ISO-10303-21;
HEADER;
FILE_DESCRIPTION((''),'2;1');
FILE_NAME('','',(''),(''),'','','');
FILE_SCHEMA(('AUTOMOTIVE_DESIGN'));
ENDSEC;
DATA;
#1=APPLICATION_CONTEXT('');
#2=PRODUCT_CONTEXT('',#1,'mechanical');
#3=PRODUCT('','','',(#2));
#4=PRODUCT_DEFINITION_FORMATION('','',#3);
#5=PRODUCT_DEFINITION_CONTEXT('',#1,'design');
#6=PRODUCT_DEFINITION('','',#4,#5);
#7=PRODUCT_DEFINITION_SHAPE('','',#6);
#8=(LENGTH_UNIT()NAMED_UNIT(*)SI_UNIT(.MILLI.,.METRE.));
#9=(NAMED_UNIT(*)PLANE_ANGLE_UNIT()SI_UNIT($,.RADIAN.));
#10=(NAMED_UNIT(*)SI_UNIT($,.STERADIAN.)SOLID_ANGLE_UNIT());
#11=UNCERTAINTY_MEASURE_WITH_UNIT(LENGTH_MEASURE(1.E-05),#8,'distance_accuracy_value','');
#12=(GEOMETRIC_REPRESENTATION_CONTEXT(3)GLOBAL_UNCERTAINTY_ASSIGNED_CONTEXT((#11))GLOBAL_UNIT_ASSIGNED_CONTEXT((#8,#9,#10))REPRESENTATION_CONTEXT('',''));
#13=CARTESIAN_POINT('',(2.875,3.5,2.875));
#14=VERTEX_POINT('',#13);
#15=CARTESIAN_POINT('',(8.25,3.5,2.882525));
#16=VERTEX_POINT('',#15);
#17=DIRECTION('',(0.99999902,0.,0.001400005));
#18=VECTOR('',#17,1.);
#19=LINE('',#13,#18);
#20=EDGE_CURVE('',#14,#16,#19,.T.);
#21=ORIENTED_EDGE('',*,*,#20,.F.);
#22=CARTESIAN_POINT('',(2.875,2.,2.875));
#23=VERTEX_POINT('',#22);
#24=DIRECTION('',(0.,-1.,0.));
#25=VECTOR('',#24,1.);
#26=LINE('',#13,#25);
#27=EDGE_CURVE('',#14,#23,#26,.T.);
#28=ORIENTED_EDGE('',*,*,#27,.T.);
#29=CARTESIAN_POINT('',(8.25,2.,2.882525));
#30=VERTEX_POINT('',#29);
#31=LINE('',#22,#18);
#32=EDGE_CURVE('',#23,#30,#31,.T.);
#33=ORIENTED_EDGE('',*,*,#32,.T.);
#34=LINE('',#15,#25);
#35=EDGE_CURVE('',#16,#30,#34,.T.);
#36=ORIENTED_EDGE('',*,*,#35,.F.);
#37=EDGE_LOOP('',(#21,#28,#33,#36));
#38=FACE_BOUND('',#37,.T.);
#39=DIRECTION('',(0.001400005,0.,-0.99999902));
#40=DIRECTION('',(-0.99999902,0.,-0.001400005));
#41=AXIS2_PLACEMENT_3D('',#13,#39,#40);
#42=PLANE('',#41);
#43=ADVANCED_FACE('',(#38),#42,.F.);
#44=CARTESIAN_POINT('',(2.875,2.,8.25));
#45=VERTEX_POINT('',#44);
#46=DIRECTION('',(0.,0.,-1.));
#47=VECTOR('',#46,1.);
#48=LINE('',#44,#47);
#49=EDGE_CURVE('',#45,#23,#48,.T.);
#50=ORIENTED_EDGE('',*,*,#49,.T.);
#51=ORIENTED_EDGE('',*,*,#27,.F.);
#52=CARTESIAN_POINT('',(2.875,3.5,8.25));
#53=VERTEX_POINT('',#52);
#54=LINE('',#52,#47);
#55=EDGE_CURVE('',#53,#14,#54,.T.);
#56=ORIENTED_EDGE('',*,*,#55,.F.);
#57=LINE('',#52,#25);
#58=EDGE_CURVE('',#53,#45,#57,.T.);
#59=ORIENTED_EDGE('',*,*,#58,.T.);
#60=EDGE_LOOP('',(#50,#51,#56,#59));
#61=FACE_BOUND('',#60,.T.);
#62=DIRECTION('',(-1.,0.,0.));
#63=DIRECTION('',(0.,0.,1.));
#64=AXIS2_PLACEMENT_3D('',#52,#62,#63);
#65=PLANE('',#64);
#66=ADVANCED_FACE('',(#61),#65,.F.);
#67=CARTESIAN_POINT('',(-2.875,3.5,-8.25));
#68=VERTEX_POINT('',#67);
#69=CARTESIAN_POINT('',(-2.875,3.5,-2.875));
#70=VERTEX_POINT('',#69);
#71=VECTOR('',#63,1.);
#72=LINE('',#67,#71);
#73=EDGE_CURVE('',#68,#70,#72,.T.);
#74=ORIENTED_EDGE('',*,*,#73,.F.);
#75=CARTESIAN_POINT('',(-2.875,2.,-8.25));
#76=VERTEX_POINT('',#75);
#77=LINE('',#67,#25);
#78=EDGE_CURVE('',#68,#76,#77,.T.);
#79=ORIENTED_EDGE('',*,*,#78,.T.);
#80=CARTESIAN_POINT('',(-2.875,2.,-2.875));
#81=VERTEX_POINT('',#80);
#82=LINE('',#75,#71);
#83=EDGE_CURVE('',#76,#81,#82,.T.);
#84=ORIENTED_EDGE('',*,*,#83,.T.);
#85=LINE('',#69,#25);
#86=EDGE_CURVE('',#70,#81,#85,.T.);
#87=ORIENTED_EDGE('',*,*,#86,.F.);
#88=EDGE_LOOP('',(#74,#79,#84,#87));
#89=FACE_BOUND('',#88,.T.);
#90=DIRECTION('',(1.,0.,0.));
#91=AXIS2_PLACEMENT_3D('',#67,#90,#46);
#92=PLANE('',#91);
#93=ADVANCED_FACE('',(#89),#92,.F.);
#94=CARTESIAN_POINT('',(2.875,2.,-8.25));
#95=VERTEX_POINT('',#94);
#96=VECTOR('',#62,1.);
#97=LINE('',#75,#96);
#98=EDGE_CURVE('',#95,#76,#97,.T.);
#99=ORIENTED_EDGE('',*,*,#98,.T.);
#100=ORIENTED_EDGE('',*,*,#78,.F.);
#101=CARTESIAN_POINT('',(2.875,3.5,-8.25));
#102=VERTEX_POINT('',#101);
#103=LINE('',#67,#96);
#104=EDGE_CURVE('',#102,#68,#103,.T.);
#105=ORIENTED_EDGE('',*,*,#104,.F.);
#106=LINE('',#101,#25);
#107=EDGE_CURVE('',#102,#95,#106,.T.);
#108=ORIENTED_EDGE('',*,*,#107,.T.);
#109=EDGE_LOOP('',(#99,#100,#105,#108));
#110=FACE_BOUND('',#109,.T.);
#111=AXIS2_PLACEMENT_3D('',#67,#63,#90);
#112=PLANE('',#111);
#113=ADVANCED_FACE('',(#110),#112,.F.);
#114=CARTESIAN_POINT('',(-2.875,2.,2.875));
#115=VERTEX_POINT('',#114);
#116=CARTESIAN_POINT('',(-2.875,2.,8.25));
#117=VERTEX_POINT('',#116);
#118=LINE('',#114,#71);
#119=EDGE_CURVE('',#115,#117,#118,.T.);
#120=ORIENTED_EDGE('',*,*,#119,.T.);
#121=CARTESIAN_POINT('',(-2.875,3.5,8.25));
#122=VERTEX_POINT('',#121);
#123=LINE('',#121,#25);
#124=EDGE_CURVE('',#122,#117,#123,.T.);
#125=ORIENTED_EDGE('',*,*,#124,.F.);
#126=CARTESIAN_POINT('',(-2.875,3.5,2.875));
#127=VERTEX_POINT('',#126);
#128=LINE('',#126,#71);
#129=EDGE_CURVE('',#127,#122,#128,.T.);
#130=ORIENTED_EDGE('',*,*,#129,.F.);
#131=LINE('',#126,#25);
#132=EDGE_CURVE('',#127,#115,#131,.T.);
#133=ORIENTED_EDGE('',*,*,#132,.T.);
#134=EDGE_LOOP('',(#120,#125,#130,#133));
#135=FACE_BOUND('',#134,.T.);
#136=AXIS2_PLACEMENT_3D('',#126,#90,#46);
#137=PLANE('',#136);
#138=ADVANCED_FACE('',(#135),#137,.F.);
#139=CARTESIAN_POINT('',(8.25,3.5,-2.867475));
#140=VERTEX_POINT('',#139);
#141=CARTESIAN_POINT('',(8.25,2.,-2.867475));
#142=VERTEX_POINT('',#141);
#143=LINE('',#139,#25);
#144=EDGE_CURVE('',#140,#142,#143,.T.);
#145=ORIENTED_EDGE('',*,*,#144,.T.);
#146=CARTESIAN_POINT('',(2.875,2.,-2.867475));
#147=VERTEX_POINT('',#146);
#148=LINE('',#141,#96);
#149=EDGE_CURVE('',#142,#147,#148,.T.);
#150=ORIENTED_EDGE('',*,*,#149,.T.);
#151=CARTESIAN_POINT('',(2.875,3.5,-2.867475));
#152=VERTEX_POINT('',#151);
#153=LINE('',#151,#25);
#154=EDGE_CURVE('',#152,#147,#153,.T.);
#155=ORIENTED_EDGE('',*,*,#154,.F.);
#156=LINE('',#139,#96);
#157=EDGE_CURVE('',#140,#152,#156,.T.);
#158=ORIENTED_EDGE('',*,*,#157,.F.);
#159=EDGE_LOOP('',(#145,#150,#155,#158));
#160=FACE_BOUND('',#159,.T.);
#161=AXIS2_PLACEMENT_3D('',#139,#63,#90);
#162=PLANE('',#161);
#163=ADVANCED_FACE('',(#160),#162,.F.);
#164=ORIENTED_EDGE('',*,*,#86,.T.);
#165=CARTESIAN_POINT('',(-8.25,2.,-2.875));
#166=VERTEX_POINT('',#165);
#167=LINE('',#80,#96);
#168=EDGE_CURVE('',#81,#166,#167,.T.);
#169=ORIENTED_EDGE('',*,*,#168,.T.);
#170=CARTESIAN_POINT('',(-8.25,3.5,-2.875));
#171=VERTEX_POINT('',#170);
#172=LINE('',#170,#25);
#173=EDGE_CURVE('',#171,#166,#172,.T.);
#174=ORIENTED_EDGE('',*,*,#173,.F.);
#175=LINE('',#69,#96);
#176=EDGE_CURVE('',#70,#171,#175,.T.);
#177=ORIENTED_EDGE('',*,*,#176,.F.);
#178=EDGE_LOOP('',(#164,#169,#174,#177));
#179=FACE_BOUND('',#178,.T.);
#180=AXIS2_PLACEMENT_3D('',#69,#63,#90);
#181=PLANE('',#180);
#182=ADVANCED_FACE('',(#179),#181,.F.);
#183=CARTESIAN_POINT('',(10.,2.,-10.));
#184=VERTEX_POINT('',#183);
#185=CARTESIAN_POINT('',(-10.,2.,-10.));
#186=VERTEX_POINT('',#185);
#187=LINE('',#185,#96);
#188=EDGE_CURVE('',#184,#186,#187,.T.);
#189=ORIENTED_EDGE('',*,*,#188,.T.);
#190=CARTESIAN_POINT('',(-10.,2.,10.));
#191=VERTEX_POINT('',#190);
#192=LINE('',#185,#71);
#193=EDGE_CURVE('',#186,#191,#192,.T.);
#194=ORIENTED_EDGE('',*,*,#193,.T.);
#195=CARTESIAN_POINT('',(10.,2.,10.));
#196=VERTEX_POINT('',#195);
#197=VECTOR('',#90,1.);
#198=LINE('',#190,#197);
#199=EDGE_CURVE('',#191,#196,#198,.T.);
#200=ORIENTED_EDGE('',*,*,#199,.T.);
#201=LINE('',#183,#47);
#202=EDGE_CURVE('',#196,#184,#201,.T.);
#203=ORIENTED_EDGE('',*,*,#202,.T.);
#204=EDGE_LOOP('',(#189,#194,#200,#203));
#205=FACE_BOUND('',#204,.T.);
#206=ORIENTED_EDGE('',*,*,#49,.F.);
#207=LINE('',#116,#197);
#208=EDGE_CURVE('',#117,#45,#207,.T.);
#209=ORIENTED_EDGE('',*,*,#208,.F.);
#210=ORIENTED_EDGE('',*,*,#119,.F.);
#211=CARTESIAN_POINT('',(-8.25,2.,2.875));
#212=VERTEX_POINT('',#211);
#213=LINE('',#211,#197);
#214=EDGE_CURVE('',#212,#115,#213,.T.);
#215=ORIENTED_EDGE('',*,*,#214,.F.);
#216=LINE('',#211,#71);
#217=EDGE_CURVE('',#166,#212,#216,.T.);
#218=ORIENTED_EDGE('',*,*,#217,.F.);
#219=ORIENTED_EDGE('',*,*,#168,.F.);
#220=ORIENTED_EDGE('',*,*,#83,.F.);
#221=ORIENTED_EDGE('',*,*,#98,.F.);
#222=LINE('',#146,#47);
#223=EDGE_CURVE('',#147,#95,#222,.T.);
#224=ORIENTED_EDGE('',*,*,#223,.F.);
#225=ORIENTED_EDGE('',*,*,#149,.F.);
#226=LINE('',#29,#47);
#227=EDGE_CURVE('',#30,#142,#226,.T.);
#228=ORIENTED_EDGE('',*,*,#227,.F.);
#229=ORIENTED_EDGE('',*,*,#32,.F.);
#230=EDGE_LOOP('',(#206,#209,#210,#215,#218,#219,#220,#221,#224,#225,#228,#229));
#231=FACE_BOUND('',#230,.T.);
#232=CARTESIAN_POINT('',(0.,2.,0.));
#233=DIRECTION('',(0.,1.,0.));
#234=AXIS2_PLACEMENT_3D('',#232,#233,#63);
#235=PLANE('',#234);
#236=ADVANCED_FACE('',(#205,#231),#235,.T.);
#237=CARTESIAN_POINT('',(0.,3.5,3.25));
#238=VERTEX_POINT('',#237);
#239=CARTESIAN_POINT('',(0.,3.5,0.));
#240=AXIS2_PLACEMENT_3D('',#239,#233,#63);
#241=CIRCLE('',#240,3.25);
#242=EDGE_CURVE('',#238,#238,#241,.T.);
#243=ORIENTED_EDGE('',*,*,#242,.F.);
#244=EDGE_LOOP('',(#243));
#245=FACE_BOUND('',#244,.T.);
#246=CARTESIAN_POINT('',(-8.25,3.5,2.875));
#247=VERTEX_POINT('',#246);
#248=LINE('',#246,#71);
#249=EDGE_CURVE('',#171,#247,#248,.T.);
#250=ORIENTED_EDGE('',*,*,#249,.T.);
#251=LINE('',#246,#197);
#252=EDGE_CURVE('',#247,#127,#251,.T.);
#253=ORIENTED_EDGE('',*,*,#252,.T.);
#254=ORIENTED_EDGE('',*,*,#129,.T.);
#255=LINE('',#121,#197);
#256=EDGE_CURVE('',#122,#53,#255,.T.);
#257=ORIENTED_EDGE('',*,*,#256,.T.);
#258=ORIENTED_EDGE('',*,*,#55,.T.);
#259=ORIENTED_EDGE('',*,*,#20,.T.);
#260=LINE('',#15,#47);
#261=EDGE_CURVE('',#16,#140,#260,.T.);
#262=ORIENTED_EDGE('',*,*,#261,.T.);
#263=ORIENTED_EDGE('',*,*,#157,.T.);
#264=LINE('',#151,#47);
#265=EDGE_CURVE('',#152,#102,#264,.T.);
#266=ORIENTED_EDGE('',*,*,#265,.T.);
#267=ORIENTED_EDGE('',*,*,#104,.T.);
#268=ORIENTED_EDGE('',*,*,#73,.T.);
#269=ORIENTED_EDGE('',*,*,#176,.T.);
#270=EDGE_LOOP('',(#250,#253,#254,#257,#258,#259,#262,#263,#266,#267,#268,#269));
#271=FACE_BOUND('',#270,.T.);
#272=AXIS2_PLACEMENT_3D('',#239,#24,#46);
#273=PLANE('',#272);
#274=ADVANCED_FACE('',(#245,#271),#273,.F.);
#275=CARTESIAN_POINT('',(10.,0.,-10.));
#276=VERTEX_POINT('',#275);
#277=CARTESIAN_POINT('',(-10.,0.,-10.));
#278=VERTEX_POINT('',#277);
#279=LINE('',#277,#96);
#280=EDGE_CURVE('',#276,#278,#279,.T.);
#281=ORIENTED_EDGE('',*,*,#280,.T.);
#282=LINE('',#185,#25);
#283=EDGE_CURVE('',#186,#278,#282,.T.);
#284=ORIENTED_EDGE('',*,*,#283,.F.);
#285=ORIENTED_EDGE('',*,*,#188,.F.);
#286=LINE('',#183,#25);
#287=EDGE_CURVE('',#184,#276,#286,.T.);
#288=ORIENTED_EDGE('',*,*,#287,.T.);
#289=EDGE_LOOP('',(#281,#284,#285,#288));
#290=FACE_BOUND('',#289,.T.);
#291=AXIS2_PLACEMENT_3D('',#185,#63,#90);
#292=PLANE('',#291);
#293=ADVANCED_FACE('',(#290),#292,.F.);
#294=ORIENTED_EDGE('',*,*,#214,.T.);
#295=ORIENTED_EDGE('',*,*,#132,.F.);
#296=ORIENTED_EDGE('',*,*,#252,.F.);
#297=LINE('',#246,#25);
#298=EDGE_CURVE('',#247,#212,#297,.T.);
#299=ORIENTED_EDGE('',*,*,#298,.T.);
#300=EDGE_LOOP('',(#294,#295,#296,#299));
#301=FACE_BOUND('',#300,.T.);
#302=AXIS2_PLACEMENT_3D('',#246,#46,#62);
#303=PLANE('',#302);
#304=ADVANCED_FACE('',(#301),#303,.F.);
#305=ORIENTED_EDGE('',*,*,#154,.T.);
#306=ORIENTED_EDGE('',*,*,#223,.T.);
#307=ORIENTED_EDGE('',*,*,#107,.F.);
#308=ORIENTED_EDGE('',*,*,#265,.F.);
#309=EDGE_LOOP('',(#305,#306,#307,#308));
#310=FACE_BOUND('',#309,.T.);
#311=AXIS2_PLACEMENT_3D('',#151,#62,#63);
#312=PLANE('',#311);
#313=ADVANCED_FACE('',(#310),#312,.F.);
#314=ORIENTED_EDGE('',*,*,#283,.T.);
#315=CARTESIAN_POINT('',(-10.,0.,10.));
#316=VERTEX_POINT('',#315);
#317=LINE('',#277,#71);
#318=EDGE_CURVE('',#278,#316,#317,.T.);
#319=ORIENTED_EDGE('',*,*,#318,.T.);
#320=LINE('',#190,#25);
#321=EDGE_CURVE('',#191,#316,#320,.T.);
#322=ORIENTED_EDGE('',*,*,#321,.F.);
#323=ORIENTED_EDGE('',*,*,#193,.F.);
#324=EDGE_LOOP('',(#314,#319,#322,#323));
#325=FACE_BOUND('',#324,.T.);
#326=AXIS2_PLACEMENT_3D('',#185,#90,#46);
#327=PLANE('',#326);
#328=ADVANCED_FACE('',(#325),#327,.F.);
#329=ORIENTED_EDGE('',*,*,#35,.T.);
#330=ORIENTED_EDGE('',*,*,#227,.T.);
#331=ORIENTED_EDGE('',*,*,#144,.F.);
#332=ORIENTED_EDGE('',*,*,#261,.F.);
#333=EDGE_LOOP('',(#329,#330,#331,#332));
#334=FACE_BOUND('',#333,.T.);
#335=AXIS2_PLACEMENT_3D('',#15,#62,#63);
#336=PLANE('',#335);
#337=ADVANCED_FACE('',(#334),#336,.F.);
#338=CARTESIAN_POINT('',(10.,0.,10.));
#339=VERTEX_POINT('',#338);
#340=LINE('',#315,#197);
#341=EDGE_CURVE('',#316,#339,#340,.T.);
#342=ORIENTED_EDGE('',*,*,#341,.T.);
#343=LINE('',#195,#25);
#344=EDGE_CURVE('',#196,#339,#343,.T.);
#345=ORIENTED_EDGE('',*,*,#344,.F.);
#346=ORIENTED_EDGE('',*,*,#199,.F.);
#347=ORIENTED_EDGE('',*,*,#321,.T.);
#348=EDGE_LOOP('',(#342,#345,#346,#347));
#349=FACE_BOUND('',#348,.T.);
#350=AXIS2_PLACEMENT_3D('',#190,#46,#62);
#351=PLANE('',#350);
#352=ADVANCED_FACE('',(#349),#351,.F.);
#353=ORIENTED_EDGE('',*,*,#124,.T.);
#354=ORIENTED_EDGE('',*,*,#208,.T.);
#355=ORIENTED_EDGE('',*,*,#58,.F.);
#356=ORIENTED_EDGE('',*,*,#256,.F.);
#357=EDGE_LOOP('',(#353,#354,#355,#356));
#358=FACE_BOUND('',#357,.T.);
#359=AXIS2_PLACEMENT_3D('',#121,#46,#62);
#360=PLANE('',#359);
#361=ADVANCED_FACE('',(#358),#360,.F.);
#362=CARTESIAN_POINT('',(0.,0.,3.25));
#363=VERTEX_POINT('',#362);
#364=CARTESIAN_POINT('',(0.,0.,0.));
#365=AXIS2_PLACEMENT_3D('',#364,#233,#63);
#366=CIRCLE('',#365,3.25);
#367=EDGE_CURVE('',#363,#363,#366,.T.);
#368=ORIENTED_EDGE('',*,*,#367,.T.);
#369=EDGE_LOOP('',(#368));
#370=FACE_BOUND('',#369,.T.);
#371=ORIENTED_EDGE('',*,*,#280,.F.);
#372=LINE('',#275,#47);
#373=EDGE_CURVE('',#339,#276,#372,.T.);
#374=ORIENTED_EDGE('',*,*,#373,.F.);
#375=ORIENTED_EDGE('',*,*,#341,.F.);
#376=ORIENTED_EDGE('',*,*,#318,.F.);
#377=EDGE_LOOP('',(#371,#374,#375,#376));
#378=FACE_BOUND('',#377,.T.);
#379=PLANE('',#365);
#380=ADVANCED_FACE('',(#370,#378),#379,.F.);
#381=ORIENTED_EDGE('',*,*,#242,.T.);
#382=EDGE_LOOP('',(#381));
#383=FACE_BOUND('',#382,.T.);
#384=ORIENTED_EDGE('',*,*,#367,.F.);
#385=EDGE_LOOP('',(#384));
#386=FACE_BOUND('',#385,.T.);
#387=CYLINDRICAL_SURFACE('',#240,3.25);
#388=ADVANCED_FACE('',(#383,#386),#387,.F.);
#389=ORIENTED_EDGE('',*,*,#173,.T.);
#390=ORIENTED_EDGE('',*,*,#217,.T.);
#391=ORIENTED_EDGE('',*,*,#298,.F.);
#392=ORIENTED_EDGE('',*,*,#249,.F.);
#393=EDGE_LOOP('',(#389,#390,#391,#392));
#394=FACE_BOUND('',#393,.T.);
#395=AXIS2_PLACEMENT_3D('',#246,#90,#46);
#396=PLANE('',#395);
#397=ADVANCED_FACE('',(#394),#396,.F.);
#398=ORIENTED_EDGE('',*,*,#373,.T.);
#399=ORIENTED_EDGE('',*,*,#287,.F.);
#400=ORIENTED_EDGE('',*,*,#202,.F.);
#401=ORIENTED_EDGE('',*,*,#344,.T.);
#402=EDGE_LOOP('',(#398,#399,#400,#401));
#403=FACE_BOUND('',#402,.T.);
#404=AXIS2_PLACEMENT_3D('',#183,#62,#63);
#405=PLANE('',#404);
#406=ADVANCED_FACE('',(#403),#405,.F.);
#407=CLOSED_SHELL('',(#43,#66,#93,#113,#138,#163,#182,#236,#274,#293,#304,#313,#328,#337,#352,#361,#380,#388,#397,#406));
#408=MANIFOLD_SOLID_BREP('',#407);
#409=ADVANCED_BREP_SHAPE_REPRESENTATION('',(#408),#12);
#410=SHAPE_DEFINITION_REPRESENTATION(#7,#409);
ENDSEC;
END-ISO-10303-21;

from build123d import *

# Parameters (mm, degrees)
SKETCH1_W                      = 20
SKETCH1_H                      = 20
BOSS_EXTRUDE1_DEPTH            = 2
BOSS_EXTRUDE3_DEPTH            = 1.5
TAP_DRILL_FOR_M2_2_HELICOIL1_D = 6.5


with BuildPart() as part:
    # Sketch1 → Boss-Extrude1 (new body)
    with BuildSketch(Plane(origin=(0, 0, 0), x_dir=(1, 0, 0), z_dir=(0, 1, 0))):
        Rectangle(SKETCH1_W, SKETCH1_H)
    extrude(amount=BOSS_EXTRUDE1_DEPTH)

    # Sketch3 → Boss-Extrude3 (add)
    with BuildSketch(Plane(origin=(0, 2, 0), x_dir=(1, 0, 0), z_dir=(0, 1, 0))):
        Polygon((-2.875, 8.25), (2.875, 8.25), (2.875, 2.867474963), (8.25, 2.867474963), (8.25, -2.882525037), (2.875, -2.875), (2.875, -8.25), (-2.875, -8.25), (-2.875, -2.875), (-8.25, -2.875), (-8.25, 2.875), (-2.875, 2.875), align=None)
    extrude(amount=BOSS_EXTRUDE3_DEPTH)

    # Tap Drill for M2.2 Helicoil1 (through all)
    with Locations(Plane.ZX.offset(3.5)):
        with Locations((0, 0)):
            Hole(TAP_DRILL_FOR_M2_2_HELICOIL1_D / 2)


solid = part.part
